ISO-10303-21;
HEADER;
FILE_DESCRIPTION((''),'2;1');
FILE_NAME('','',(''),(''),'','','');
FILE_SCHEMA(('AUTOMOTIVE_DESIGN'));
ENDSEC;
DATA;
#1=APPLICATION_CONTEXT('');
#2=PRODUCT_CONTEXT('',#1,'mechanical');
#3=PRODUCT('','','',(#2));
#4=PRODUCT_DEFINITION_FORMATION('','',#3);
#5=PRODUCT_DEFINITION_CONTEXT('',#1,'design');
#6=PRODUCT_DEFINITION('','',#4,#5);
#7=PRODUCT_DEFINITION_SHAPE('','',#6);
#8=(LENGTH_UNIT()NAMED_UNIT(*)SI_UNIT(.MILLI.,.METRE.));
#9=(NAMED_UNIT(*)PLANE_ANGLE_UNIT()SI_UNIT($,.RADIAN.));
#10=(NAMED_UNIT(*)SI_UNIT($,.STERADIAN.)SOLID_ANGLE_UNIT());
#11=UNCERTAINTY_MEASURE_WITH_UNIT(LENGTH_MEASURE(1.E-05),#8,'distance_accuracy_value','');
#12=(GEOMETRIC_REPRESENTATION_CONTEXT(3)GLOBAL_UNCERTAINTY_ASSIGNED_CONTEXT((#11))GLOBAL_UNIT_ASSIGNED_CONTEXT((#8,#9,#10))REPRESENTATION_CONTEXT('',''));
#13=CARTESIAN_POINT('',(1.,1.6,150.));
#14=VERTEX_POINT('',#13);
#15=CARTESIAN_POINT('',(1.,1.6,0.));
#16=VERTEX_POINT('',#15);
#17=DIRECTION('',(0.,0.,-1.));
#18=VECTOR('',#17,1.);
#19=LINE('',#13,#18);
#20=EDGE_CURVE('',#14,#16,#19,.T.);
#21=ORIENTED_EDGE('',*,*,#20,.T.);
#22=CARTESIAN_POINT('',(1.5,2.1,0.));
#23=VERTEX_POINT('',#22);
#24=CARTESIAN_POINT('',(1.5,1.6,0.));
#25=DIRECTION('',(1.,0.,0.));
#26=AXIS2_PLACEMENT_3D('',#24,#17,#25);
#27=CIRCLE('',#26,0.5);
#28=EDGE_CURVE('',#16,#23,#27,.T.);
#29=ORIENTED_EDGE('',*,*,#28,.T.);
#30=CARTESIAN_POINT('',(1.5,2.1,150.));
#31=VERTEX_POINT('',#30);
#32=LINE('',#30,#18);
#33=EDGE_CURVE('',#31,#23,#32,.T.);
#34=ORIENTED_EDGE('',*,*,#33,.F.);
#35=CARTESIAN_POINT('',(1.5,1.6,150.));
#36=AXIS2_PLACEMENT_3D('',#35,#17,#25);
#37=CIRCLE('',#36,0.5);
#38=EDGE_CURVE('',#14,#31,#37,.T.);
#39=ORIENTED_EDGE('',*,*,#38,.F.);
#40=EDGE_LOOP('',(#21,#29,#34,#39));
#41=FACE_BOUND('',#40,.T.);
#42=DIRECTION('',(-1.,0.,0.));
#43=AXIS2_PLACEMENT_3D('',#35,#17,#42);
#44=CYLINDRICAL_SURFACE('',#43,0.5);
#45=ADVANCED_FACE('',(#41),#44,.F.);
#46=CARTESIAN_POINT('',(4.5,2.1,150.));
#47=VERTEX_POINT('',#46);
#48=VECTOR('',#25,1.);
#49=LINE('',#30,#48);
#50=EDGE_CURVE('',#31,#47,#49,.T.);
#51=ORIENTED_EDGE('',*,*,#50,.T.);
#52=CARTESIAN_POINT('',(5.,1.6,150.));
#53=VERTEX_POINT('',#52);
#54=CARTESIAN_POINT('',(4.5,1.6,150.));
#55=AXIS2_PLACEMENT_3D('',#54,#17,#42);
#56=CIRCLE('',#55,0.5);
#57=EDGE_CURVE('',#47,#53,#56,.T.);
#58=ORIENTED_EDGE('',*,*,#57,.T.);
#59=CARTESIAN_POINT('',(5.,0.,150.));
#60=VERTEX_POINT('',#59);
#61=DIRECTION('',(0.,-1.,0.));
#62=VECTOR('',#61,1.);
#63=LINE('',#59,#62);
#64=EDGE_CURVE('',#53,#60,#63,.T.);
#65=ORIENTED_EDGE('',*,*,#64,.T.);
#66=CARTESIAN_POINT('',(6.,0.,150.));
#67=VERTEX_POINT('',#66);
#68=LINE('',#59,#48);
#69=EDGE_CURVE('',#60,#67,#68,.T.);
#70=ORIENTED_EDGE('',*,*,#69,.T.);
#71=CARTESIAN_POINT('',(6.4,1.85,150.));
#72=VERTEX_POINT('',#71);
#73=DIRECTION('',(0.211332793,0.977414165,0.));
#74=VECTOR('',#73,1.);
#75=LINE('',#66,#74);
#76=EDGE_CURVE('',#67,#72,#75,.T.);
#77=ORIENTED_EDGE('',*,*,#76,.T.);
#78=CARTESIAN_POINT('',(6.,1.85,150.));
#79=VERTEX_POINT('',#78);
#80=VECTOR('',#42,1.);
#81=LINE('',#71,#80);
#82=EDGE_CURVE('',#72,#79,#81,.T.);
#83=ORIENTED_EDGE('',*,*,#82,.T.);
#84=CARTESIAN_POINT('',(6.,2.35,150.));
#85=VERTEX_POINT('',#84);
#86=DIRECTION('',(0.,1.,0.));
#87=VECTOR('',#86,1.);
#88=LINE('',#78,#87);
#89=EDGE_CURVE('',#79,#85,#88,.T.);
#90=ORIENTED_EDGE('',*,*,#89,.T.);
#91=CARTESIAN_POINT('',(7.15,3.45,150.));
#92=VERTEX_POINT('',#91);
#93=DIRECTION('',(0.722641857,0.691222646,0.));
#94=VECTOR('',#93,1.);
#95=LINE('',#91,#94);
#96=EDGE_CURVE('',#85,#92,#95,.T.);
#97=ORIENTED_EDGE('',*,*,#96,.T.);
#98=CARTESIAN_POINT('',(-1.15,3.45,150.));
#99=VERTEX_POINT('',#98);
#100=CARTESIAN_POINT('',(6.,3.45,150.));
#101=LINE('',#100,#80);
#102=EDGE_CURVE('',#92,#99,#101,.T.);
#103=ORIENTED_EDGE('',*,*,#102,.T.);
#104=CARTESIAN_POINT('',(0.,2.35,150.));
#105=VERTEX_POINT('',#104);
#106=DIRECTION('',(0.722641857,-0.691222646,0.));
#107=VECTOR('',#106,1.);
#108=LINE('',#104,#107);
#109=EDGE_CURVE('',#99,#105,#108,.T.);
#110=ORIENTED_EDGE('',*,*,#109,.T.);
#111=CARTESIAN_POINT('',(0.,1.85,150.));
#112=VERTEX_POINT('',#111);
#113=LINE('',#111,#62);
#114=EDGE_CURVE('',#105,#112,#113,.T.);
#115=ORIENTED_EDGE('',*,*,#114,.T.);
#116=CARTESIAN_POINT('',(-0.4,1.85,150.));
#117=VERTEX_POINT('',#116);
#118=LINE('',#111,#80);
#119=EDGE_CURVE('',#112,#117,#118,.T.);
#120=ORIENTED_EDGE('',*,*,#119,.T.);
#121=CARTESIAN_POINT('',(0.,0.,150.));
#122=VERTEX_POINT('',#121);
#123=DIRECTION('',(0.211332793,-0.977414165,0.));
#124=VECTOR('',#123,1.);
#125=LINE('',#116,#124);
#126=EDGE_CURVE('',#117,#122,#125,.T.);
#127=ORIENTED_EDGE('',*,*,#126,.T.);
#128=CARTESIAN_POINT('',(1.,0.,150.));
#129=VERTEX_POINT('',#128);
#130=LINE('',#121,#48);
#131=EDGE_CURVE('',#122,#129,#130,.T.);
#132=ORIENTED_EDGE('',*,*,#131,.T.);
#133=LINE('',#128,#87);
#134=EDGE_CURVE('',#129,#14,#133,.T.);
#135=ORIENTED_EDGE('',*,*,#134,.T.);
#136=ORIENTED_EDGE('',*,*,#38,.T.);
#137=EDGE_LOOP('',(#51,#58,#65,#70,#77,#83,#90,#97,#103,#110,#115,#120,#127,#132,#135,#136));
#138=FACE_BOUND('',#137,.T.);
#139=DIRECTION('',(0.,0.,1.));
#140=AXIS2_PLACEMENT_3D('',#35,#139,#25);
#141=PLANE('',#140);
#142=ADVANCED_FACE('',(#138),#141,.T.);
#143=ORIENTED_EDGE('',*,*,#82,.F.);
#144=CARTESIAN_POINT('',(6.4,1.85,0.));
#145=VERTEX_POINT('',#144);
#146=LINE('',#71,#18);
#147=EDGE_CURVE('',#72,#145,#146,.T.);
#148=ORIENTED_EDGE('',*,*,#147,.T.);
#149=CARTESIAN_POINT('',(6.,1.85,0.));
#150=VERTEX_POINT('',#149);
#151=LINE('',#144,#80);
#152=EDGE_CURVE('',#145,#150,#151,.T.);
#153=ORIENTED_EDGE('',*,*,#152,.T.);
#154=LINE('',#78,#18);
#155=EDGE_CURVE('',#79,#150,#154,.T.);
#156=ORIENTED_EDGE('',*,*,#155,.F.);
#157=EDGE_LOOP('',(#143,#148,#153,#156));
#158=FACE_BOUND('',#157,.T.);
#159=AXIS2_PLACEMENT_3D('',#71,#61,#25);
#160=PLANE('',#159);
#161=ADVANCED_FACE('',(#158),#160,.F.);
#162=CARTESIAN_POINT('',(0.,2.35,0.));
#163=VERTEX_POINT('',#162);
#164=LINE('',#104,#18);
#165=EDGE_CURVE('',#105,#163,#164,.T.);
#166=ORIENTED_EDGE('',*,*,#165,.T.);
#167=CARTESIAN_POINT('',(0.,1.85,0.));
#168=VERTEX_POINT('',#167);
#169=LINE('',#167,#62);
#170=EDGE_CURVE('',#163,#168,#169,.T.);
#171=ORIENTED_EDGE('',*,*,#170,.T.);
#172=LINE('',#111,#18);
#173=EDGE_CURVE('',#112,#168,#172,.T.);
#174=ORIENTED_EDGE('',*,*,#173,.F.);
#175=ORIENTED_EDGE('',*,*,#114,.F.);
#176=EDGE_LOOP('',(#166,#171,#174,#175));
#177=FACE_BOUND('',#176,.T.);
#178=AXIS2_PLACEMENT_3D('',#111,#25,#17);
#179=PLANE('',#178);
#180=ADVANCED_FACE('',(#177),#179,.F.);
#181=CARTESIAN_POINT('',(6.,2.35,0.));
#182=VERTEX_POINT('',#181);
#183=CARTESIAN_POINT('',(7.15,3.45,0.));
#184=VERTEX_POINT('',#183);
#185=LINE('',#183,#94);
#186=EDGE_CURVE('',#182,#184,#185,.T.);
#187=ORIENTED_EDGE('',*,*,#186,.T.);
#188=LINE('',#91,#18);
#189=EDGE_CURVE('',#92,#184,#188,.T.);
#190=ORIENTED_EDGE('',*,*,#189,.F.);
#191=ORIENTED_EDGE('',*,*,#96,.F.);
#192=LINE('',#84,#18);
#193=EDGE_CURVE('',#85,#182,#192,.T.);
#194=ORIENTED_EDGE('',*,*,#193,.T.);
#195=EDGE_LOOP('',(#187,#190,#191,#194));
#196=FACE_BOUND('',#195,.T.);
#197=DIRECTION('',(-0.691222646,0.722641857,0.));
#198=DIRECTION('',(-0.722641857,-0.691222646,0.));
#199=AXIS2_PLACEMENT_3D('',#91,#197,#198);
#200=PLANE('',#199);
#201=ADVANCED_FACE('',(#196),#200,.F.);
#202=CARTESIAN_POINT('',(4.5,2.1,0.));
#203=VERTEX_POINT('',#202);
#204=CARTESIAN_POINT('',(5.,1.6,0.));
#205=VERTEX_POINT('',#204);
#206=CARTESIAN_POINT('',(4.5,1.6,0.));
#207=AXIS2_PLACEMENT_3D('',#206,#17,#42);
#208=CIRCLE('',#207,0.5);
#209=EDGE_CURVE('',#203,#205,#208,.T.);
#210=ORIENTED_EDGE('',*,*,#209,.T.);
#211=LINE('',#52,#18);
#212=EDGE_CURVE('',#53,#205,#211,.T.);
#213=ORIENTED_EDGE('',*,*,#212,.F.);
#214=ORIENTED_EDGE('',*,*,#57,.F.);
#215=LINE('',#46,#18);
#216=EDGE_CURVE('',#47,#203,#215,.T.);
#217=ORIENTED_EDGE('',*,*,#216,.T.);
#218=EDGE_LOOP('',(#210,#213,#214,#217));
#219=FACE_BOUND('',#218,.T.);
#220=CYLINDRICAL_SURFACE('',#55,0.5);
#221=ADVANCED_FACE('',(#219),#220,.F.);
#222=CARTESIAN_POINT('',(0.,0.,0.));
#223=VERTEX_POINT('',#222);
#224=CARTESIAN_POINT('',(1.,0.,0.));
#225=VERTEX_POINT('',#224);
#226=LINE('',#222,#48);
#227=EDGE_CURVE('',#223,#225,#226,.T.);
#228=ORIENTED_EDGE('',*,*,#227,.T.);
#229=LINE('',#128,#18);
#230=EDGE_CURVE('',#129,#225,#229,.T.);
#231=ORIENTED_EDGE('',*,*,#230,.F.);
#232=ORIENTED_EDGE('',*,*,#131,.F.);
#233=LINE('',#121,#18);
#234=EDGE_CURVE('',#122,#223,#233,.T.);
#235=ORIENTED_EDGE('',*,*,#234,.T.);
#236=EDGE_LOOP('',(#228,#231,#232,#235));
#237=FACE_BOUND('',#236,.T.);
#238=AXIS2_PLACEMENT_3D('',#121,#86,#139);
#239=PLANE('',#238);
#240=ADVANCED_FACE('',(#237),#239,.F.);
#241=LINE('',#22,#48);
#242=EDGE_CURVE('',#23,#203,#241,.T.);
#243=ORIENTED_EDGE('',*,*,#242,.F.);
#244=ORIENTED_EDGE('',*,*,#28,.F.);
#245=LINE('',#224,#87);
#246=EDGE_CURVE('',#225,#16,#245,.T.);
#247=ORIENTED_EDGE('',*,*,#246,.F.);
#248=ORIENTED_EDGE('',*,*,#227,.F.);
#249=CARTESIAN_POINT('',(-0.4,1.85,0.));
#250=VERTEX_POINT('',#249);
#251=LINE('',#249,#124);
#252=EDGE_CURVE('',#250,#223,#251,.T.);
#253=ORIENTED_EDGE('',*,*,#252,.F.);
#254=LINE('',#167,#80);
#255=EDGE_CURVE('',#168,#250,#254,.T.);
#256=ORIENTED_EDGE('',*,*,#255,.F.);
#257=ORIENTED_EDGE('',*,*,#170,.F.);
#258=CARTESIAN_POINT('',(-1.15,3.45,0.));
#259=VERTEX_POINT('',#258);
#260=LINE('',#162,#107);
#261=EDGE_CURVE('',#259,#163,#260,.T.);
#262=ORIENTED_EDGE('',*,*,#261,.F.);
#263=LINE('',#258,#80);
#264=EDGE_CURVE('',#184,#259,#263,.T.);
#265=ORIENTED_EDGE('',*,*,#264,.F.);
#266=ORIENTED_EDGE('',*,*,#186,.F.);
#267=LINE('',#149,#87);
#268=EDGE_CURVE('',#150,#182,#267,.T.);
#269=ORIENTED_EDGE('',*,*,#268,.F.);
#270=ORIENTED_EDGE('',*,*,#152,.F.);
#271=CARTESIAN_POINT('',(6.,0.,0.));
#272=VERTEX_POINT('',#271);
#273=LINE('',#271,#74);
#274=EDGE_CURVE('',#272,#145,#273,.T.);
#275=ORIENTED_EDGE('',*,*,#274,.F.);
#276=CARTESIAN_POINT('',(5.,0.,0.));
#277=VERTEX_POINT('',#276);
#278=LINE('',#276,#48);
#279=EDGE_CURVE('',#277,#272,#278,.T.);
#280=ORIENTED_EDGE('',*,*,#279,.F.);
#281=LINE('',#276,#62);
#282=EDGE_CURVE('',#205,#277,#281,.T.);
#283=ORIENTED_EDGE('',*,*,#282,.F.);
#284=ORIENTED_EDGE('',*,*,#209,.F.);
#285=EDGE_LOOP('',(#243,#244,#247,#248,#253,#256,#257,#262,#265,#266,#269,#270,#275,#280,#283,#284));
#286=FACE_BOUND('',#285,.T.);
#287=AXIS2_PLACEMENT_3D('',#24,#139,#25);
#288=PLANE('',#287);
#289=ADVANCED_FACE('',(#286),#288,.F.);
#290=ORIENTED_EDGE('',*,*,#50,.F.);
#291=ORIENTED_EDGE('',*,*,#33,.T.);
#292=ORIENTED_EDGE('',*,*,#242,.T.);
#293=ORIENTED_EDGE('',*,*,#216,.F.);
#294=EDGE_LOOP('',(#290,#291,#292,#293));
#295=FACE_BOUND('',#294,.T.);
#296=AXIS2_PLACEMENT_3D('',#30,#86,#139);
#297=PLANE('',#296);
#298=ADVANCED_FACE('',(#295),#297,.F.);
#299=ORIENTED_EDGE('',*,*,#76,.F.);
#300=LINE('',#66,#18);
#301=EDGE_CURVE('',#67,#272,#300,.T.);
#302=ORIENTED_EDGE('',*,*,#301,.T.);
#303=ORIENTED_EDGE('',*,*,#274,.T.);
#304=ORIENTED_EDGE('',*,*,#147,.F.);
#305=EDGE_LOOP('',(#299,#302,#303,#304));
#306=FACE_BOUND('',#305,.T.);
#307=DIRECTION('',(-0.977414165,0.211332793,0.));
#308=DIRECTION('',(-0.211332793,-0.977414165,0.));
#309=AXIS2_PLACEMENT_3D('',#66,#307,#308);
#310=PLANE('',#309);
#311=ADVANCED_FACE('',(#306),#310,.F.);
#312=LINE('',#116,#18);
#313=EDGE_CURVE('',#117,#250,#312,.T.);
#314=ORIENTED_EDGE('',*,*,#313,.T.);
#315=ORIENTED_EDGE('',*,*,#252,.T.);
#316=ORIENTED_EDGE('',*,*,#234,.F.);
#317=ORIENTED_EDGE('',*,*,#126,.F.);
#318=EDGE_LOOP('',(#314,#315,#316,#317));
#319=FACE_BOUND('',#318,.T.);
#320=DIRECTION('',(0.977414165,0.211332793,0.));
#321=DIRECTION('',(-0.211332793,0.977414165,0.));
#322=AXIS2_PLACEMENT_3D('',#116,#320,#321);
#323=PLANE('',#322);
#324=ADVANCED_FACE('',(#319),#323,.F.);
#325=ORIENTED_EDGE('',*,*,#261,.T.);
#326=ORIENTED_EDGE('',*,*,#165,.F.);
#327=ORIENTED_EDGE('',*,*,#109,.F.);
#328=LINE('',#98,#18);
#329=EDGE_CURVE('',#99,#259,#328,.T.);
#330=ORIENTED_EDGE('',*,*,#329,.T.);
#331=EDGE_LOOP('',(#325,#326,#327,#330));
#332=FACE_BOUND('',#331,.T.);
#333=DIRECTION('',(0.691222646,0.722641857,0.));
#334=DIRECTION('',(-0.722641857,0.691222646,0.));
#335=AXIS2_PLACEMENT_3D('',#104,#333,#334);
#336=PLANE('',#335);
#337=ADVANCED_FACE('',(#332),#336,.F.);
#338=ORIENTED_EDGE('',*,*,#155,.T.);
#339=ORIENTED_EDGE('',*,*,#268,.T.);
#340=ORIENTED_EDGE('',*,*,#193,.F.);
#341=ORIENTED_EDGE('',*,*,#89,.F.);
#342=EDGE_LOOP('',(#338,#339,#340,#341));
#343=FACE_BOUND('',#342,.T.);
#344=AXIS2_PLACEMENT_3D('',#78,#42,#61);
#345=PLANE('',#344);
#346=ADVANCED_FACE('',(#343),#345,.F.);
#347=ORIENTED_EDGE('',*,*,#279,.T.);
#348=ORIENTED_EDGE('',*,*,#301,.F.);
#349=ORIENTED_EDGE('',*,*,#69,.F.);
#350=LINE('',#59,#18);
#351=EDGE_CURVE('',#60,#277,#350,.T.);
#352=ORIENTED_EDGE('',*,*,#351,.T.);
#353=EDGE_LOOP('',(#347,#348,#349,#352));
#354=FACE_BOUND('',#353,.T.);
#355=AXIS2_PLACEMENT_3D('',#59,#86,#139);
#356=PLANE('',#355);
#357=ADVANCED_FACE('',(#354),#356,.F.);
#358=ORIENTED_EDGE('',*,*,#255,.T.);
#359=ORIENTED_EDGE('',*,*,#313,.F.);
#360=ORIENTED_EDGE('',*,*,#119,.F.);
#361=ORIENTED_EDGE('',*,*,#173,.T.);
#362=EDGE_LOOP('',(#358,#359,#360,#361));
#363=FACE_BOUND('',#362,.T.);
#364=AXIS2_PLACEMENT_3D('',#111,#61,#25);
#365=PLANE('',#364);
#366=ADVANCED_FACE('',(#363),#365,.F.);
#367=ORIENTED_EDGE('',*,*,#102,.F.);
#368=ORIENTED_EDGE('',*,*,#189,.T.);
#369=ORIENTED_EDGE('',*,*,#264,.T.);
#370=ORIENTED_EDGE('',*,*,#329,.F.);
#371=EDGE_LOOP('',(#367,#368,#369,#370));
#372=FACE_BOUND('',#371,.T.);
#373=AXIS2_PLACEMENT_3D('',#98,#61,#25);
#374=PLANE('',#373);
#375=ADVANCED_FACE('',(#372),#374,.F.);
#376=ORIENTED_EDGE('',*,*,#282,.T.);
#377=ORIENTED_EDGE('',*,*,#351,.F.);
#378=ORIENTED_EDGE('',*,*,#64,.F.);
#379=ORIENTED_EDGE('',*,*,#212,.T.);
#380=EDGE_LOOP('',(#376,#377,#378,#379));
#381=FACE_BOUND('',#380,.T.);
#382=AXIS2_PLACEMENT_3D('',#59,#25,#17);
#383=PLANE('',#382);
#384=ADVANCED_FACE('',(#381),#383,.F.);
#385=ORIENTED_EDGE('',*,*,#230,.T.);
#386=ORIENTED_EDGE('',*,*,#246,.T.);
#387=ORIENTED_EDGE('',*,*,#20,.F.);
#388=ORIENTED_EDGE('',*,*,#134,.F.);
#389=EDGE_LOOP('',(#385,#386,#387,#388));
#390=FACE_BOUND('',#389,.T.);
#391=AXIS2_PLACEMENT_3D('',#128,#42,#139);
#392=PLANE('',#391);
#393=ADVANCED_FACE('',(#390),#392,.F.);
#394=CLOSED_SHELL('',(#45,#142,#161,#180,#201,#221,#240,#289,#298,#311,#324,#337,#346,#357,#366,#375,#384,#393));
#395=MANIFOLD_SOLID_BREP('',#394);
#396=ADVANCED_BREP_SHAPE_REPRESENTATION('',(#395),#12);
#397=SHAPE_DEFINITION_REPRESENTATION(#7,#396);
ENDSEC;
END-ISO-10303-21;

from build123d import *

# Parameters (mm, degrees)
BOSS_EXTRUDE1_DEPTH = 150


with BuildPart() as part:
    # Sketch1 → Boss-Extrude1 (new body)
    with BuildSketch(Plane.XY):
        with BuildLine():
            Line((6, 0), (6.4, 1.85))
            Line((6.4, 1.85), (6, 1.85))
            Line((6, 1.85), (6, 2.35))
            Line((6, 2.35), (7.15, 3.45))
            Line((7.15, 3.45), (6, 3.45))
            Line((6, 3.45), (0, 3.45))
            Line((0, 3.45), (-1.15, 3.45))
            Line((-1.15, 3.45), (0, 2.35))
            Line((0, 2.35), (0, 1.85))
            Line((0, 1.85), (-0.4, 1.85))
            Line((-0.4, 1.85), (0, 0))
            Line((0, 0), (1, 0))
            Line((1, 0), (1, 1.6))
            ThreePointArc((1, 1.6), (1.146446609, 1.953553391), (1.5, 2.1))
            Line((1.5, 2.1), (4.5, 2.1))
            ThreePointArc((4.5, 2.1), (4.853553391, 1.953553391), (5, 1.6))
            Line((5, 1.6), (5, 0))
            Line((5, 0), (6, 0))
        make_face()
    extrude(amount=BOSS_EXTRUDE1_DEPTH)


solid = part.part
